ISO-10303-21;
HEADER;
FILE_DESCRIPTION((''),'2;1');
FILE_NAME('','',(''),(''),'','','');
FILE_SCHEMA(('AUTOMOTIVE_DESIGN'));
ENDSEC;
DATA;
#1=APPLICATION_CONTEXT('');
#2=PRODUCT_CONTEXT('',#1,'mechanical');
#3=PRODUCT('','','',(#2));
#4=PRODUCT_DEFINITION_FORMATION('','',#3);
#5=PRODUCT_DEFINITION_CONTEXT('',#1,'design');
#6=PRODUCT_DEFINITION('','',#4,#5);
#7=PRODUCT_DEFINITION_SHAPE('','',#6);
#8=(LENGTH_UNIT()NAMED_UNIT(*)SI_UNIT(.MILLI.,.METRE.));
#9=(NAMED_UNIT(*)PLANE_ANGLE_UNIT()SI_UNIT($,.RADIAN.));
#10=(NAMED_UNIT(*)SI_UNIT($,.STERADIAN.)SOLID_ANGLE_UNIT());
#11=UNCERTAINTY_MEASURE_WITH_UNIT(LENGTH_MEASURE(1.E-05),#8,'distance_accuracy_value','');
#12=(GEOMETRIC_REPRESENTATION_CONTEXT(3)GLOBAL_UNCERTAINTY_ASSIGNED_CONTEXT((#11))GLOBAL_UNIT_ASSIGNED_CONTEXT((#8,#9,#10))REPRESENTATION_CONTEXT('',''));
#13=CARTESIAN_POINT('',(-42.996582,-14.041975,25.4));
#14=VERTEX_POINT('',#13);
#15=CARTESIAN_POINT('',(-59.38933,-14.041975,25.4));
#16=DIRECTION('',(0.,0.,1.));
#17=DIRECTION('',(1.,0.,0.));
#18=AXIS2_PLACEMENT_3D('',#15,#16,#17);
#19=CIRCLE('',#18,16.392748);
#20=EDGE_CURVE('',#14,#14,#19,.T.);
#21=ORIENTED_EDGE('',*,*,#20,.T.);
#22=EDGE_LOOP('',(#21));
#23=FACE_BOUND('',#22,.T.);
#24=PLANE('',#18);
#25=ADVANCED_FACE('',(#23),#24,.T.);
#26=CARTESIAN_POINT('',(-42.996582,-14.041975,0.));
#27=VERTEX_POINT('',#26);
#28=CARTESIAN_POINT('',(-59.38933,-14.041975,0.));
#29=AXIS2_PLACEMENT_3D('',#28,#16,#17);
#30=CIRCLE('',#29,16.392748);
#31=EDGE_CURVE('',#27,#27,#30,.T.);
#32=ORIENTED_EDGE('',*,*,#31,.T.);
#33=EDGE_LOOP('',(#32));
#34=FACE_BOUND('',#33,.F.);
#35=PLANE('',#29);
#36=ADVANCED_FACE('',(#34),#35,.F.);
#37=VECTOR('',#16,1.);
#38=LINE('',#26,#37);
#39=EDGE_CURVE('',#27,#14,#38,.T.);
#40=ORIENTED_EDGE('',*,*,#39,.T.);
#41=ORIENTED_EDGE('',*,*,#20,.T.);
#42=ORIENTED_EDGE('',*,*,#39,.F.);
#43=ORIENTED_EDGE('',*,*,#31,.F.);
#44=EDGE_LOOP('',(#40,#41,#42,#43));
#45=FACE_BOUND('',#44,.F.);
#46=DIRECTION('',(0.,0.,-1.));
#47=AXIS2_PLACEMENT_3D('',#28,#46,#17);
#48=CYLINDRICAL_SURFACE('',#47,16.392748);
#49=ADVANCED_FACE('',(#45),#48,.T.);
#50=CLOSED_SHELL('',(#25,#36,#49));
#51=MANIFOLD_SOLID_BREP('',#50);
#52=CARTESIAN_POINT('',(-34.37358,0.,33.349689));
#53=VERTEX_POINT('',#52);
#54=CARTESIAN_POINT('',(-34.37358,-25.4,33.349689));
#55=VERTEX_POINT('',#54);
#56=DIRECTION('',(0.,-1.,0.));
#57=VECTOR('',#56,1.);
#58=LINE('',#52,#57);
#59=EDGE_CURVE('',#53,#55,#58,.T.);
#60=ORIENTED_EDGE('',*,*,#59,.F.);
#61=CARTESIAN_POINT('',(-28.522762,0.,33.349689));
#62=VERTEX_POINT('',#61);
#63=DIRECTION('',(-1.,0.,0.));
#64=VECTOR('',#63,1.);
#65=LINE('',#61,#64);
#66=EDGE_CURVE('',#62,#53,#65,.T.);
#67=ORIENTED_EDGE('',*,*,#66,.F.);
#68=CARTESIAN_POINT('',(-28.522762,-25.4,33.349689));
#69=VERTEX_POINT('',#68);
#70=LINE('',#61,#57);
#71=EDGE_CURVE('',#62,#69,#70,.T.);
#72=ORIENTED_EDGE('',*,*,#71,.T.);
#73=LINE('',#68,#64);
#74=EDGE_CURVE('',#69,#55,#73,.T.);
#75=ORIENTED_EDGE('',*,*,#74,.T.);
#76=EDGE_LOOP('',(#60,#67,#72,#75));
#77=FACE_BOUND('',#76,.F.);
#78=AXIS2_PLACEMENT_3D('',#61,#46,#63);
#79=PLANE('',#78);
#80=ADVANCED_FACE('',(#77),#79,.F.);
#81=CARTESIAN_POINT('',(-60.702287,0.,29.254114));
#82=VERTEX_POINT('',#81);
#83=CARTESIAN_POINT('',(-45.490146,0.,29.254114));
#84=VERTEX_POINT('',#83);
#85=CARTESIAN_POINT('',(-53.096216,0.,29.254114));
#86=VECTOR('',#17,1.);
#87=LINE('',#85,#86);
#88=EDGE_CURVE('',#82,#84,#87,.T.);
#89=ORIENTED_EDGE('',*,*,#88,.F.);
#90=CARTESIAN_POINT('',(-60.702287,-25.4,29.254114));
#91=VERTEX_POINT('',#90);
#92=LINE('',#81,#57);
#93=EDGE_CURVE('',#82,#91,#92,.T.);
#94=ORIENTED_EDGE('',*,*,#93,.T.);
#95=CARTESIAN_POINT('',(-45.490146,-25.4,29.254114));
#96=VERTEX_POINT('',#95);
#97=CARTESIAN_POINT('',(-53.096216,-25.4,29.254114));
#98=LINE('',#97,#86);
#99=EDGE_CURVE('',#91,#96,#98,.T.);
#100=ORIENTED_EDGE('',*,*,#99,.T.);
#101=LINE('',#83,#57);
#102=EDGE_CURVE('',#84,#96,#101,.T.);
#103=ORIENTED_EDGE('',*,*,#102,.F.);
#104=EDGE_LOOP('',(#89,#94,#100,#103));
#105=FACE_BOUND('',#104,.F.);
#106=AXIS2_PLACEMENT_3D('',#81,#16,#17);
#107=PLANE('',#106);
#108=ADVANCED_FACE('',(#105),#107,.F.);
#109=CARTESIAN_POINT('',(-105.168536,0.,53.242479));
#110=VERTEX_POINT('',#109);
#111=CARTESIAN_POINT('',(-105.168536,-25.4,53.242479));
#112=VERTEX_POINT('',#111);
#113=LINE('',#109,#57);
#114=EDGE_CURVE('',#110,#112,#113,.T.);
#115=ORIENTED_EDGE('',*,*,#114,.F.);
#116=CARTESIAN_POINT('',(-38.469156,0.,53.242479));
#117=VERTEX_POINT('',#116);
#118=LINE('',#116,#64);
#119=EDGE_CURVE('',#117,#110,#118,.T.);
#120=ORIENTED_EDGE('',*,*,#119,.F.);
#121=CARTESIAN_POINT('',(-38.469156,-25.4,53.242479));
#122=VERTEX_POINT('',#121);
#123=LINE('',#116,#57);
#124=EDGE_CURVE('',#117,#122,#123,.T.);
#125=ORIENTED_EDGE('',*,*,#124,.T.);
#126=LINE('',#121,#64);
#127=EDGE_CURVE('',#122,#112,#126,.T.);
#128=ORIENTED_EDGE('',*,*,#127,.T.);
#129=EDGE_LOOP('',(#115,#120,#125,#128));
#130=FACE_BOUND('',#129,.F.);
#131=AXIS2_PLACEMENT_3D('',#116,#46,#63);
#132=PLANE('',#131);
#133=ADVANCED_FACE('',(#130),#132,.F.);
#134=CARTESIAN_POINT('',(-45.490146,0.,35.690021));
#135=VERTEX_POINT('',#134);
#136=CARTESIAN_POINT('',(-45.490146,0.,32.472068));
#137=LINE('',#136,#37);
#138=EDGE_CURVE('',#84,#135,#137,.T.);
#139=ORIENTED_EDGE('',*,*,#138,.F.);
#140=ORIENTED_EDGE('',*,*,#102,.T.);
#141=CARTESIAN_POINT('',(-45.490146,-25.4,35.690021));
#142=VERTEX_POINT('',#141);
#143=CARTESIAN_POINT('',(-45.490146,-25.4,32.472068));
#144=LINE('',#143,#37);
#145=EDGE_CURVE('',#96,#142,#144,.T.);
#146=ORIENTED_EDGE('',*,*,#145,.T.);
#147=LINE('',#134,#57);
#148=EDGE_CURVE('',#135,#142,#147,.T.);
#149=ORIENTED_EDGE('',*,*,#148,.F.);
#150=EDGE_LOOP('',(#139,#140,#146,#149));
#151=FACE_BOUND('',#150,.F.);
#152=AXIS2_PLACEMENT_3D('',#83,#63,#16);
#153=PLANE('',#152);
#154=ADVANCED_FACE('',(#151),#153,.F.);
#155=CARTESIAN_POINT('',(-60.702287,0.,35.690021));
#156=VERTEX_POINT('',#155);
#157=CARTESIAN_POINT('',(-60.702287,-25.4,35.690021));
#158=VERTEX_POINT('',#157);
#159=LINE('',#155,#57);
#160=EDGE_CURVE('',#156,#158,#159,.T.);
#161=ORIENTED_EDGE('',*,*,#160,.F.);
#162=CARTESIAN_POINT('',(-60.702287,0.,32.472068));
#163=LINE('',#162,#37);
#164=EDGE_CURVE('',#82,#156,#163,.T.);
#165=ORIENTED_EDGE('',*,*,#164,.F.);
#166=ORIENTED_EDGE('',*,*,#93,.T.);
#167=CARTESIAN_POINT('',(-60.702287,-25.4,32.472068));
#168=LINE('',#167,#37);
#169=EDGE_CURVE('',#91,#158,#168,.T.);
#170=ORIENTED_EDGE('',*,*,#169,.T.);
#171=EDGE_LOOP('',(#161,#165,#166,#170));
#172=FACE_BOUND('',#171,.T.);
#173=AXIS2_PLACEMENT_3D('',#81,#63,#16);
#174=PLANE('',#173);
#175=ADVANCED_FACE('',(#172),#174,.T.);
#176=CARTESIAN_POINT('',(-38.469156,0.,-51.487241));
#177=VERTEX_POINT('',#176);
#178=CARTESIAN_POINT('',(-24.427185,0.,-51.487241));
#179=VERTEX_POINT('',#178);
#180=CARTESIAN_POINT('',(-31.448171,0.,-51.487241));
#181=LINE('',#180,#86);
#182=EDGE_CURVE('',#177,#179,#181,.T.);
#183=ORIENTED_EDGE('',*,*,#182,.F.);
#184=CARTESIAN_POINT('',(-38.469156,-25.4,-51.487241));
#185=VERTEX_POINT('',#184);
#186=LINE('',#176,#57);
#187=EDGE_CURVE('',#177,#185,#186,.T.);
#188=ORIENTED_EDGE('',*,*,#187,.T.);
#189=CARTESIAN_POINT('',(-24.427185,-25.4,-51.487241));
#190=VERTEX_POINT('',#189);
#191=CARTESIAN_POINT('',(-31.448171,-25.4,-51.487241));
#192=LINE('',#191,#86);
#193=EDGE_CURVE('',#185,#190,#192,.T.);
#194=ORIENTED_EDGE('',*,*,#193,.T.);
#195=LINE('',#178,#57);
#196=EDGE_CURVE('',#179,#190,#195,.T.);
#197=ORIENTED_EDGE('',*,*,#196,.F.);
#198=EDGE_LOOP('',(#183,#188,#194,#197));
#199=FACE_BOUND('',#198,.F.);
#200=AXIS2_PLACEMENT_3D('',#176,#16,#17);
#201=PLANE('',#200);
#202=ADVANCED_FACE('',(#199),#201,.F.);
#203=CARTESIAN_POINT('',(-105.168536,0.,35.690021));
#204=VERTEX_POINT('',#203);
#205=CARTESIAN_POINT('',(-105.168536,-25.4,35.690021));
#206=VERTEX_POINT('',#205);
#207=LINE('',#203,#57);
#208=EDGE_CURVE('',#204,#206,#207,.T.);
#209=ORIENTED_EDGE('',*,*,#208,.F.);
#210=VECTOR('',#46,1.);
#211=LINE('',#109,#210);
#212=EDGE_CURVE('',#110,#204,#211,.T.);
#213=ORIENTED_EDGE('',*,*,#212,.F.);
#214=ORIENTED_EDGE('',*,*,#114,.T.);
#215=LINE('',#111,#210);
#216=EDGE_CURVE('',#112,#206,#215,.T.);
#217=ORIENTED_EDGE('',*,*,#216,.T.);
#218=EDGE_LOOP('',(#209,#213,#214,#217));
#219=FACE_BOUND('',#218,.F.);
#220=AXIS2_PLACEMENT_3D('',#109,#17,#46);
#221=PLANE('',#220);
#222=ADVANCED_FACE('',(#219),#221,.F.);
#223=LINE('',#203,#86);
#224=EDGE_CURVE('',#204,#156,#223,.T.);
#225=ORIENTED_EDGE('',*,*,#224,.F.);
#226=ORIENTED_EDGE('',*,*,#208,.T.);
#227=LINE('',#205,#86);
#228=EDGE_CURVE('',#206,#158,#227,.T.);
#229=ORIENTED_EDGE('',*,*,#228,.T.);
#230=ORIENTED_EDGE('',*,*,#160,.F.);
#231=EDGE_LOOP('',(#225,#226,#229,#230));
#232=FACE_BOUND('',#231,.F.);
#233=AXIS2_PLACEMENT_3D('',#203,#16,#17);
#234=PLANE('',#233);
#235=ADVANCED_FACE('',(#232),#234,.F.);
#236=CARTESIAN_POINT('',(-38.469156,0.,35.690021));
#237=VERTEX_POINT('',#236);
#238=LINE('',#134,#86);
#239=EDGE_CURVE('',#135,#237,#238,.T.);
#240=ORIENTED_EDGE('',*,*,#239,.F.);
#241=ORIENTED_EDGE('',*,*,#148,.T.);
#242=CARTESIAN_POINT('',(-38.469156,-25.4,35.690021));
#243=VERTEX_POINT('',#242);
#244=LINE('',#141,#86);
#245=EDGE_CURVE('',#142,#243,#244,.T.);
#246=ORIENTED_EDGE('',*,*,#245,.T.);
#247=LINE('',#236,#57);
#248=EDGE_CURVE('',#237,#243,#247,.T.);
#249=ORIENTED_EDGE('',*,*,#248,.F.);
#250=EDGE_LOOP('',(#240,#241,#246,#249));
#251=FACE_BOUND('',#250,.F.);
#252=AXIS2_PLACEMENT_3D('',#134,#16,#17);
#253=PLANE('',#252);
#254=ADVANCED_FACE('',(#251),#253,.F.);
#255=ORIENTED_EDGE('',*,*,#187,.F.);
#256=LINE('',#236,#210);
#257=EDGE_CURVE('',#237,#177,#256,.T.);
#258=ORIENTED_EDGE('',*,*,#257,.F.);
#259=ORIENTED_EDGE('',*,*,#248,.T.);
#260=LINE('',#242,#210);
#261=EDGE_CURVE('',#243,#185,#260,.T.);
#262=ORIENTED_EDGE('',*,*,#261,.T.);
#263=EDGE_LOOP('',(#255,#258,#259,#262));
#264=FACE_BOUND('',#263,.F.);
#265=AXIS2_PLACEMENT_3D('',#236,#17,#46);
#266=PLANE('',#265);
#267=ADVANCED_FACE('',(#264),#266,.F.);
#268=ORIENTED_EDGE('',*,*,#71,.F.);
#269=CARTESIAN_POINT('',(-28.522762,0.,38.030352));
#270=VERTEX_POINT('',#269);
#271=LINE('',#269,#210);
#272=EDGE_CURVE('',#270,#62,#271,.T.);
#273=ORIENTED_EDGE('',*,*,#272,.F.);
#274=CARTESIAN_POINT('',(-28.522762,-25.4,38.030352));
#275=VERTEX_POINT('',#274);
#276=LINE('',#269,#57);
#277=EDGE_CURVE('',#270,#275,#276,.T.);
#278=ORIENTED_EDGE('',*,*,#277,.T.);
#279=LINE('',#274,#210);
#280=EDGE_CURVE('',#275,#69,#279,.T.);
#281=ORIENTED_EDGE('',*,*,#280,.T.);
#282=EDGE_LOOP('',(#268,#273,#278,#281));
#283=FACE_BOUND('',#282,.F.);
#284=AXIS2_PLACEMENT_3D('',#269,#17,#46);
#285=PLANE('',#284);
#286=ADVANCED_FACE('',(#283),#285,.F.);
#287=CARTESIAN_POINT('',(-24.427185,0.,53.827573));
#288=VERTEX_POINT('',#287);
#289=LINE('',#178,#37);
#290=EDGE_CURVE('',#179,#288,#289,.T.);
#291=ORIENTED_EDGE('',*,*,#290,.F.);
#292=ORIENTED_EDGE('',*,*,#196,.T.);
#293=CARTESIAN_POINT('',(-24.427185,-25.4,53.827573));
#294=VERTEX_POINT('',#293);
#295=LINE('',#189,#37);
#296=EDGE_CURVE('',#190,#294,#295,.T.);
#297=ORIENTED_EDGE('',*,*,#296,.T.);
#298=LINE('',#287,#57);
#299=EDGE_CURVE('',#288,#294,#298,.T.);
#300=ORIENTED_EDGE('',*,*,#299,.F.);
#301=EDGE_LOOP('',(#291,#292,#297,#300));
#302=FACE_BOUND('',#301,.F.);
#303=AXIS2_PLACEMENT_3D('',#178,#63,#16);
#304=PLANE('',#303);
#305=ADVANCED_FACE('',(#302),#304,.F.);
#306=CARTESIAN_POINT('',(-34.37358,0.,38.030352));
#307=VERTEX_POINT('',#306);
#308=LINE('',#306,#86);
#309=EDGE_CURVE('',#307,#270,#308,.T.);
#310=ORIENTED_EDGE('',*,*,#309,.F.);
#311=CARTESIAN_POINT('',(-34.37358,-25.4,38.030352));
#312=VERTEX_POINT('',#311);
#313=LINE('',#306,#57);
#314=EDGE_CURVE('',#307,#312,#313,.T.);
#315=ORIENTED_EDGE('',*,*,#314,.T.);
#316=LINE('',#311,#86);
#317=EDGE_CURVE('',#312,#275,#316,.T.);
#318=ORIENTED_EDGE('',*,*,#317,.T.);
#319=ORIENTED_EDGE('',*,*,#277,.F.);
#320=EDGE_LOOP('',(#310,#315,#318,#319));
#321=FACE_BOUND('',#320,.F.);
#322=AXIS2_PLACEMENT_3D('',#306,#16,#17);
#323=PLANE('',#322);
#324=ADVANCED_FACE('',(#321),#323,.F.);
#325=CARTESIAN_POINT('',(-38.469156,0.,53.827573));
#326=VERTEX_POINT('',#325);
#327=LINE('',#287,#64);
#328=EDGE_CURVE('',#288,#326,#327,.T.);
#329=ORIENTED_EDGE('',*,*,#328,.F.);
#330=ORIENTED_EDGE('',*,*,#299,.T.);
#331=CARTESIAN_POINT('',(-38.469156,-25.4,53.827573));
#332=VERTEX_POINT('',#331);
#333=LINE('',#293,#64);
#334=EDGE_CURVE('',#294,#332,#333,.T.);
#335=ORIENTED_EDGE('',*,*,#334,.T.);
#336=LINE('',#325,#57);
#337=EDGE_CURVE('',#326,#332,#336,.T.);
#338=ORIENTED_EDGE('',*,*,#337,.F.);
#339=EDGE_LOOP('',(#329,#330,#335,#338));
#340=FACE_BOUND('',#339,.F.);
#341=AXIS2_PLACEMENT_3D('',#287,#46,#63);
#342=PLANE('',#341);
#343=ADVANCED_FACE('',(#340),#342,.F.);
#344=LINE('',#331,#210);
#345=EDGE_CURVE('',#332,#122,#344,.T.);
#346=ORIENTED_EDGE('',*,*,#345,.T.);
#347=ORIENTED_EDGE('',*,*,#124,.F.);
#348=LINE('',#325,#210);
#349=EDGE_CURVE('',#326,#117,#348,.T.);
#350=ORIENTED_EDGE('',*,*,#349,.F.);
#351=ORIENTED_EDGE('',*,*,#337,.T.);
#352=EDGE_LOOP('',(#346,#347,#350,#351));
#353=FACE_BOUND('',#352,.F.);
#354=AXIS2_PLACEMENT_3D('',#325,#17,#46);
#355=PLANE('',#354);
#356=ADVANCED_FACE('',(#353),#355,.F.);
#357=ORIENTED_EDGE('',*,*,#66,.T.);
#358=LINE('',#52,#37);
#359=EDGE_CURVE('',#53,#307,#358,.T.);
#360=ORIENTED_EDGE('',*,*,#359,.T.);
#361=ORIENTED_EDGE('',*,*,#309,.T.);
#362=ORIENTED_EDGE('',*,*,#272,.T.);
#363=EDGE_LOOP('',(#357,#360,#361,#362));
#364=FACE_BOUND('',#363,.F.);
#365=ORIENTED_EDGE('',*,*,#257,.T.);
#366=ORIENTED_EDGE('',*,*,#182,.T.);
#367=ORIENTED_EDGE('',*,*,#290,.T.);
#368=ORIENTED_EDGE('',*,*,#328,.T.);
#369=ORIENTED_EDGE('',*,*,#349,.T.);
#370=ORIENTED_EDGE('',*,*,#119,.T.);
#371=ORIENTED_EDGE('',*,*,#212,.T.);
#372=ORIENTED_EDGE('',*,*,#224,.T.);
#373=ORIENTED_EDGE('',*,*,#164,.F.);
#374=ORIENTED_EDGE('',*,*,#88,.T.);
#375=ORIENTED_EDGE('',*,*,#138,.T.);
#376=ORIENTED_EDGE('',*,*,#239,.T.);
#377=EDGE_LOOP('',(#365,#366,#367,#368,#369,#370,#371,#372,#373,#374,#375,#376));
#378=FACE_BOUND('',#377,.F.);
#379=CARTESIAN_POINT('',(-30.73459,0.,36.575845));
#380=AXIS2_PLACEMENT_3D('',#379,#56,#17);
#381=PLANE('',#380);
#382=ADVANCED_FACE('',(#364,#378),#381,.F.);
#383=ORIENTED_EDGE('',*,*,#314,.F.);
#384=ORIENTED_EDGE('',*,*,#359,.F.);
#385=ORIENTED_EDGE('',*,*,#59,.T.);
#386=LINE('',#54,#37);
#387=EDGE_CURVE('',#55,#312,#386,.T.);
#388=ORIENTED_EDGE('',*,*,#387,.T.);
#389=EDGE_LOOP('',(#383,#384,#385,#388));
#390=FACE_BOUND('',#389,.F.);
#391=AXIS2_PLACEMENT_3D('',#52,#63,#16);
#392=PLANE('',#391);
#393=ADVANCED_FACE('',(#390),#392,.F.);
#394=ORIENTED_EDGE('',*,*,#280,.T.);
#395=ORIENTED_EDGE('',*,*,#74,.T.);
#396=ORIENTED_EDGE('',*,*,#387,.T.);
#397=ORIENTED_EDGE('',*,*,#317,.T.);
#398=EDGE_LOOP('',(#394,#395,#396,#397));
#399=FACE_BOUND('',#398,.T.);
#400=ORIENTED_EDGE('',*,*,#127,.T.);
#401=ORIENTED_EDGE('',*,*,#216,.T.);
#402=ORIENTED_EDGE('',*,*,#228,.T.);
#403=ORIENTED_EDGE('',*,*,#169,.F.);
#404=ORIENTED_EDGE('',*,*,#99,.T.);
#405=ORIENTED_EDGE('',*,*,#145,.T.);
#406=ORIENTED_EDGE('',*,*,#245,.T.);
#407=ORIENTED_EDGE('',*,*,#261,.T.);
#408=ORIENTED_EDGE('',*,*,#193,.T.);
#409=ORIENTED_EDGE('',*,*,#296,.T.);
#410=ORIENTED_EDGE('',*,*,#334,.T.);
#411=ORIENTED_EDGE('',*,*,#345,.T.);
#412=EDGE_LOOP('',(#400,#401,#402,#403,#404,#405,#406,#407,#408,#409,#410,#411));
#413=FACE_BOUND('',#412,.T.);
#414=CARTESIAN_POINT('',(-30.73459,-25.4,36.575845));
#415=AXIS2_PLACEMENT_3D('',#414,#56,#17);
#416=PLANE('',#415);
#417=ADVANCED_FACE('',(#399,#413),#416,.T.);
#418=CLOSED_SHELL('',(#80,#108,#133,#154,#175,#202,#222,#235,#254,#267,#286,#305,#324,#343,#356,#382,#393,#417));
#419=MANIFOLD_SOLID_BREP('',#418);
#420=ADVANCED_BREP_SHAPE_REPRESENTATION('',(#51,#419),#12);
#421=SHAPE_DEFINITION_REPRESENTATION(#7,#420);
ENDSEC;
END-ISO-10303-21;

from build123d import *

# Parameters (mm, degrees)
F0_W     = 15.2121409774
F0_H     = 6.4359065145
F0_W_2   = 14.0419714153
F0_H_2   = 69.039709866
F1_DEPTH = 25.4
F2_R     = 16.3927484783
F3_DEPTH = 25.4


with BuildPart() as f1:
    # F0 (on Front) → F1 (new body)
    with BuildSketch(Plane.XZ):
        Polygon((-34.3735795468, 33.3496890962), (-34.3735795468, 35.6900207698), (-38.4691562504, 35.6900207698), (-38.4691562504, 17.5524689257), (-24.4271848351, 17.5524689257), (-24.4271848351, 53.827572614), (-38.4691562504, 53.827572614), (-38.4691562504, 53.2424785197), (-31.4481705427, 53.2424785197), (-31.4481705427, 38.0303524435), (-28.5227615386, 38.0303524435), (-28.5227615386, 33.3496890962), align=None)
        Polygon((-38.4691562504, 35.6900207698), (-34.3735795468, 35.6900207698), (-34.3735795468, 38.0303524435), (-31.4481705427, 38.0303524435), (-31.4481705427, 53.2424785197), (-38.4691562504, 53.2424785197), align=None)
        Polygon((-45.4901456833, 35.6900207698), (-38.4691562504, 35.6900207698), (-38.4691562504, 53.2424785197), (-105.1685363054, 53.2424785197), (-105.1685363054, 35.6900207698), (-60.7022866607, 35.6900207698), (-60.7022866607, 42.1259272844), (-45.4901456833, 42.1259272844), align=None)
        with Locations((-53.096216172, 32.4720675126)):
            Rectangle(F0_W, F0_H)
        with Locations((-53.096216172, 38.9079740271)):
            Rectangle(F0_W, F0_H)
        with Locations((-31.4481705427, -16.9673860073)):
            Rectangle(F0_W_2, F0_H_2)
    extrude(amount=F1_DEPTH)


with BuildPart() as f3:
    # F2 (on Top) → F3 (new body)
    with BuildSketch(Plane.XY):
        with Locations((-59.3893304467, -14.0419751406)):
            Circle(F2_R)
    extrude(amount=F3_DEPTH)


solid = Compound([f1.part, f3.part])
